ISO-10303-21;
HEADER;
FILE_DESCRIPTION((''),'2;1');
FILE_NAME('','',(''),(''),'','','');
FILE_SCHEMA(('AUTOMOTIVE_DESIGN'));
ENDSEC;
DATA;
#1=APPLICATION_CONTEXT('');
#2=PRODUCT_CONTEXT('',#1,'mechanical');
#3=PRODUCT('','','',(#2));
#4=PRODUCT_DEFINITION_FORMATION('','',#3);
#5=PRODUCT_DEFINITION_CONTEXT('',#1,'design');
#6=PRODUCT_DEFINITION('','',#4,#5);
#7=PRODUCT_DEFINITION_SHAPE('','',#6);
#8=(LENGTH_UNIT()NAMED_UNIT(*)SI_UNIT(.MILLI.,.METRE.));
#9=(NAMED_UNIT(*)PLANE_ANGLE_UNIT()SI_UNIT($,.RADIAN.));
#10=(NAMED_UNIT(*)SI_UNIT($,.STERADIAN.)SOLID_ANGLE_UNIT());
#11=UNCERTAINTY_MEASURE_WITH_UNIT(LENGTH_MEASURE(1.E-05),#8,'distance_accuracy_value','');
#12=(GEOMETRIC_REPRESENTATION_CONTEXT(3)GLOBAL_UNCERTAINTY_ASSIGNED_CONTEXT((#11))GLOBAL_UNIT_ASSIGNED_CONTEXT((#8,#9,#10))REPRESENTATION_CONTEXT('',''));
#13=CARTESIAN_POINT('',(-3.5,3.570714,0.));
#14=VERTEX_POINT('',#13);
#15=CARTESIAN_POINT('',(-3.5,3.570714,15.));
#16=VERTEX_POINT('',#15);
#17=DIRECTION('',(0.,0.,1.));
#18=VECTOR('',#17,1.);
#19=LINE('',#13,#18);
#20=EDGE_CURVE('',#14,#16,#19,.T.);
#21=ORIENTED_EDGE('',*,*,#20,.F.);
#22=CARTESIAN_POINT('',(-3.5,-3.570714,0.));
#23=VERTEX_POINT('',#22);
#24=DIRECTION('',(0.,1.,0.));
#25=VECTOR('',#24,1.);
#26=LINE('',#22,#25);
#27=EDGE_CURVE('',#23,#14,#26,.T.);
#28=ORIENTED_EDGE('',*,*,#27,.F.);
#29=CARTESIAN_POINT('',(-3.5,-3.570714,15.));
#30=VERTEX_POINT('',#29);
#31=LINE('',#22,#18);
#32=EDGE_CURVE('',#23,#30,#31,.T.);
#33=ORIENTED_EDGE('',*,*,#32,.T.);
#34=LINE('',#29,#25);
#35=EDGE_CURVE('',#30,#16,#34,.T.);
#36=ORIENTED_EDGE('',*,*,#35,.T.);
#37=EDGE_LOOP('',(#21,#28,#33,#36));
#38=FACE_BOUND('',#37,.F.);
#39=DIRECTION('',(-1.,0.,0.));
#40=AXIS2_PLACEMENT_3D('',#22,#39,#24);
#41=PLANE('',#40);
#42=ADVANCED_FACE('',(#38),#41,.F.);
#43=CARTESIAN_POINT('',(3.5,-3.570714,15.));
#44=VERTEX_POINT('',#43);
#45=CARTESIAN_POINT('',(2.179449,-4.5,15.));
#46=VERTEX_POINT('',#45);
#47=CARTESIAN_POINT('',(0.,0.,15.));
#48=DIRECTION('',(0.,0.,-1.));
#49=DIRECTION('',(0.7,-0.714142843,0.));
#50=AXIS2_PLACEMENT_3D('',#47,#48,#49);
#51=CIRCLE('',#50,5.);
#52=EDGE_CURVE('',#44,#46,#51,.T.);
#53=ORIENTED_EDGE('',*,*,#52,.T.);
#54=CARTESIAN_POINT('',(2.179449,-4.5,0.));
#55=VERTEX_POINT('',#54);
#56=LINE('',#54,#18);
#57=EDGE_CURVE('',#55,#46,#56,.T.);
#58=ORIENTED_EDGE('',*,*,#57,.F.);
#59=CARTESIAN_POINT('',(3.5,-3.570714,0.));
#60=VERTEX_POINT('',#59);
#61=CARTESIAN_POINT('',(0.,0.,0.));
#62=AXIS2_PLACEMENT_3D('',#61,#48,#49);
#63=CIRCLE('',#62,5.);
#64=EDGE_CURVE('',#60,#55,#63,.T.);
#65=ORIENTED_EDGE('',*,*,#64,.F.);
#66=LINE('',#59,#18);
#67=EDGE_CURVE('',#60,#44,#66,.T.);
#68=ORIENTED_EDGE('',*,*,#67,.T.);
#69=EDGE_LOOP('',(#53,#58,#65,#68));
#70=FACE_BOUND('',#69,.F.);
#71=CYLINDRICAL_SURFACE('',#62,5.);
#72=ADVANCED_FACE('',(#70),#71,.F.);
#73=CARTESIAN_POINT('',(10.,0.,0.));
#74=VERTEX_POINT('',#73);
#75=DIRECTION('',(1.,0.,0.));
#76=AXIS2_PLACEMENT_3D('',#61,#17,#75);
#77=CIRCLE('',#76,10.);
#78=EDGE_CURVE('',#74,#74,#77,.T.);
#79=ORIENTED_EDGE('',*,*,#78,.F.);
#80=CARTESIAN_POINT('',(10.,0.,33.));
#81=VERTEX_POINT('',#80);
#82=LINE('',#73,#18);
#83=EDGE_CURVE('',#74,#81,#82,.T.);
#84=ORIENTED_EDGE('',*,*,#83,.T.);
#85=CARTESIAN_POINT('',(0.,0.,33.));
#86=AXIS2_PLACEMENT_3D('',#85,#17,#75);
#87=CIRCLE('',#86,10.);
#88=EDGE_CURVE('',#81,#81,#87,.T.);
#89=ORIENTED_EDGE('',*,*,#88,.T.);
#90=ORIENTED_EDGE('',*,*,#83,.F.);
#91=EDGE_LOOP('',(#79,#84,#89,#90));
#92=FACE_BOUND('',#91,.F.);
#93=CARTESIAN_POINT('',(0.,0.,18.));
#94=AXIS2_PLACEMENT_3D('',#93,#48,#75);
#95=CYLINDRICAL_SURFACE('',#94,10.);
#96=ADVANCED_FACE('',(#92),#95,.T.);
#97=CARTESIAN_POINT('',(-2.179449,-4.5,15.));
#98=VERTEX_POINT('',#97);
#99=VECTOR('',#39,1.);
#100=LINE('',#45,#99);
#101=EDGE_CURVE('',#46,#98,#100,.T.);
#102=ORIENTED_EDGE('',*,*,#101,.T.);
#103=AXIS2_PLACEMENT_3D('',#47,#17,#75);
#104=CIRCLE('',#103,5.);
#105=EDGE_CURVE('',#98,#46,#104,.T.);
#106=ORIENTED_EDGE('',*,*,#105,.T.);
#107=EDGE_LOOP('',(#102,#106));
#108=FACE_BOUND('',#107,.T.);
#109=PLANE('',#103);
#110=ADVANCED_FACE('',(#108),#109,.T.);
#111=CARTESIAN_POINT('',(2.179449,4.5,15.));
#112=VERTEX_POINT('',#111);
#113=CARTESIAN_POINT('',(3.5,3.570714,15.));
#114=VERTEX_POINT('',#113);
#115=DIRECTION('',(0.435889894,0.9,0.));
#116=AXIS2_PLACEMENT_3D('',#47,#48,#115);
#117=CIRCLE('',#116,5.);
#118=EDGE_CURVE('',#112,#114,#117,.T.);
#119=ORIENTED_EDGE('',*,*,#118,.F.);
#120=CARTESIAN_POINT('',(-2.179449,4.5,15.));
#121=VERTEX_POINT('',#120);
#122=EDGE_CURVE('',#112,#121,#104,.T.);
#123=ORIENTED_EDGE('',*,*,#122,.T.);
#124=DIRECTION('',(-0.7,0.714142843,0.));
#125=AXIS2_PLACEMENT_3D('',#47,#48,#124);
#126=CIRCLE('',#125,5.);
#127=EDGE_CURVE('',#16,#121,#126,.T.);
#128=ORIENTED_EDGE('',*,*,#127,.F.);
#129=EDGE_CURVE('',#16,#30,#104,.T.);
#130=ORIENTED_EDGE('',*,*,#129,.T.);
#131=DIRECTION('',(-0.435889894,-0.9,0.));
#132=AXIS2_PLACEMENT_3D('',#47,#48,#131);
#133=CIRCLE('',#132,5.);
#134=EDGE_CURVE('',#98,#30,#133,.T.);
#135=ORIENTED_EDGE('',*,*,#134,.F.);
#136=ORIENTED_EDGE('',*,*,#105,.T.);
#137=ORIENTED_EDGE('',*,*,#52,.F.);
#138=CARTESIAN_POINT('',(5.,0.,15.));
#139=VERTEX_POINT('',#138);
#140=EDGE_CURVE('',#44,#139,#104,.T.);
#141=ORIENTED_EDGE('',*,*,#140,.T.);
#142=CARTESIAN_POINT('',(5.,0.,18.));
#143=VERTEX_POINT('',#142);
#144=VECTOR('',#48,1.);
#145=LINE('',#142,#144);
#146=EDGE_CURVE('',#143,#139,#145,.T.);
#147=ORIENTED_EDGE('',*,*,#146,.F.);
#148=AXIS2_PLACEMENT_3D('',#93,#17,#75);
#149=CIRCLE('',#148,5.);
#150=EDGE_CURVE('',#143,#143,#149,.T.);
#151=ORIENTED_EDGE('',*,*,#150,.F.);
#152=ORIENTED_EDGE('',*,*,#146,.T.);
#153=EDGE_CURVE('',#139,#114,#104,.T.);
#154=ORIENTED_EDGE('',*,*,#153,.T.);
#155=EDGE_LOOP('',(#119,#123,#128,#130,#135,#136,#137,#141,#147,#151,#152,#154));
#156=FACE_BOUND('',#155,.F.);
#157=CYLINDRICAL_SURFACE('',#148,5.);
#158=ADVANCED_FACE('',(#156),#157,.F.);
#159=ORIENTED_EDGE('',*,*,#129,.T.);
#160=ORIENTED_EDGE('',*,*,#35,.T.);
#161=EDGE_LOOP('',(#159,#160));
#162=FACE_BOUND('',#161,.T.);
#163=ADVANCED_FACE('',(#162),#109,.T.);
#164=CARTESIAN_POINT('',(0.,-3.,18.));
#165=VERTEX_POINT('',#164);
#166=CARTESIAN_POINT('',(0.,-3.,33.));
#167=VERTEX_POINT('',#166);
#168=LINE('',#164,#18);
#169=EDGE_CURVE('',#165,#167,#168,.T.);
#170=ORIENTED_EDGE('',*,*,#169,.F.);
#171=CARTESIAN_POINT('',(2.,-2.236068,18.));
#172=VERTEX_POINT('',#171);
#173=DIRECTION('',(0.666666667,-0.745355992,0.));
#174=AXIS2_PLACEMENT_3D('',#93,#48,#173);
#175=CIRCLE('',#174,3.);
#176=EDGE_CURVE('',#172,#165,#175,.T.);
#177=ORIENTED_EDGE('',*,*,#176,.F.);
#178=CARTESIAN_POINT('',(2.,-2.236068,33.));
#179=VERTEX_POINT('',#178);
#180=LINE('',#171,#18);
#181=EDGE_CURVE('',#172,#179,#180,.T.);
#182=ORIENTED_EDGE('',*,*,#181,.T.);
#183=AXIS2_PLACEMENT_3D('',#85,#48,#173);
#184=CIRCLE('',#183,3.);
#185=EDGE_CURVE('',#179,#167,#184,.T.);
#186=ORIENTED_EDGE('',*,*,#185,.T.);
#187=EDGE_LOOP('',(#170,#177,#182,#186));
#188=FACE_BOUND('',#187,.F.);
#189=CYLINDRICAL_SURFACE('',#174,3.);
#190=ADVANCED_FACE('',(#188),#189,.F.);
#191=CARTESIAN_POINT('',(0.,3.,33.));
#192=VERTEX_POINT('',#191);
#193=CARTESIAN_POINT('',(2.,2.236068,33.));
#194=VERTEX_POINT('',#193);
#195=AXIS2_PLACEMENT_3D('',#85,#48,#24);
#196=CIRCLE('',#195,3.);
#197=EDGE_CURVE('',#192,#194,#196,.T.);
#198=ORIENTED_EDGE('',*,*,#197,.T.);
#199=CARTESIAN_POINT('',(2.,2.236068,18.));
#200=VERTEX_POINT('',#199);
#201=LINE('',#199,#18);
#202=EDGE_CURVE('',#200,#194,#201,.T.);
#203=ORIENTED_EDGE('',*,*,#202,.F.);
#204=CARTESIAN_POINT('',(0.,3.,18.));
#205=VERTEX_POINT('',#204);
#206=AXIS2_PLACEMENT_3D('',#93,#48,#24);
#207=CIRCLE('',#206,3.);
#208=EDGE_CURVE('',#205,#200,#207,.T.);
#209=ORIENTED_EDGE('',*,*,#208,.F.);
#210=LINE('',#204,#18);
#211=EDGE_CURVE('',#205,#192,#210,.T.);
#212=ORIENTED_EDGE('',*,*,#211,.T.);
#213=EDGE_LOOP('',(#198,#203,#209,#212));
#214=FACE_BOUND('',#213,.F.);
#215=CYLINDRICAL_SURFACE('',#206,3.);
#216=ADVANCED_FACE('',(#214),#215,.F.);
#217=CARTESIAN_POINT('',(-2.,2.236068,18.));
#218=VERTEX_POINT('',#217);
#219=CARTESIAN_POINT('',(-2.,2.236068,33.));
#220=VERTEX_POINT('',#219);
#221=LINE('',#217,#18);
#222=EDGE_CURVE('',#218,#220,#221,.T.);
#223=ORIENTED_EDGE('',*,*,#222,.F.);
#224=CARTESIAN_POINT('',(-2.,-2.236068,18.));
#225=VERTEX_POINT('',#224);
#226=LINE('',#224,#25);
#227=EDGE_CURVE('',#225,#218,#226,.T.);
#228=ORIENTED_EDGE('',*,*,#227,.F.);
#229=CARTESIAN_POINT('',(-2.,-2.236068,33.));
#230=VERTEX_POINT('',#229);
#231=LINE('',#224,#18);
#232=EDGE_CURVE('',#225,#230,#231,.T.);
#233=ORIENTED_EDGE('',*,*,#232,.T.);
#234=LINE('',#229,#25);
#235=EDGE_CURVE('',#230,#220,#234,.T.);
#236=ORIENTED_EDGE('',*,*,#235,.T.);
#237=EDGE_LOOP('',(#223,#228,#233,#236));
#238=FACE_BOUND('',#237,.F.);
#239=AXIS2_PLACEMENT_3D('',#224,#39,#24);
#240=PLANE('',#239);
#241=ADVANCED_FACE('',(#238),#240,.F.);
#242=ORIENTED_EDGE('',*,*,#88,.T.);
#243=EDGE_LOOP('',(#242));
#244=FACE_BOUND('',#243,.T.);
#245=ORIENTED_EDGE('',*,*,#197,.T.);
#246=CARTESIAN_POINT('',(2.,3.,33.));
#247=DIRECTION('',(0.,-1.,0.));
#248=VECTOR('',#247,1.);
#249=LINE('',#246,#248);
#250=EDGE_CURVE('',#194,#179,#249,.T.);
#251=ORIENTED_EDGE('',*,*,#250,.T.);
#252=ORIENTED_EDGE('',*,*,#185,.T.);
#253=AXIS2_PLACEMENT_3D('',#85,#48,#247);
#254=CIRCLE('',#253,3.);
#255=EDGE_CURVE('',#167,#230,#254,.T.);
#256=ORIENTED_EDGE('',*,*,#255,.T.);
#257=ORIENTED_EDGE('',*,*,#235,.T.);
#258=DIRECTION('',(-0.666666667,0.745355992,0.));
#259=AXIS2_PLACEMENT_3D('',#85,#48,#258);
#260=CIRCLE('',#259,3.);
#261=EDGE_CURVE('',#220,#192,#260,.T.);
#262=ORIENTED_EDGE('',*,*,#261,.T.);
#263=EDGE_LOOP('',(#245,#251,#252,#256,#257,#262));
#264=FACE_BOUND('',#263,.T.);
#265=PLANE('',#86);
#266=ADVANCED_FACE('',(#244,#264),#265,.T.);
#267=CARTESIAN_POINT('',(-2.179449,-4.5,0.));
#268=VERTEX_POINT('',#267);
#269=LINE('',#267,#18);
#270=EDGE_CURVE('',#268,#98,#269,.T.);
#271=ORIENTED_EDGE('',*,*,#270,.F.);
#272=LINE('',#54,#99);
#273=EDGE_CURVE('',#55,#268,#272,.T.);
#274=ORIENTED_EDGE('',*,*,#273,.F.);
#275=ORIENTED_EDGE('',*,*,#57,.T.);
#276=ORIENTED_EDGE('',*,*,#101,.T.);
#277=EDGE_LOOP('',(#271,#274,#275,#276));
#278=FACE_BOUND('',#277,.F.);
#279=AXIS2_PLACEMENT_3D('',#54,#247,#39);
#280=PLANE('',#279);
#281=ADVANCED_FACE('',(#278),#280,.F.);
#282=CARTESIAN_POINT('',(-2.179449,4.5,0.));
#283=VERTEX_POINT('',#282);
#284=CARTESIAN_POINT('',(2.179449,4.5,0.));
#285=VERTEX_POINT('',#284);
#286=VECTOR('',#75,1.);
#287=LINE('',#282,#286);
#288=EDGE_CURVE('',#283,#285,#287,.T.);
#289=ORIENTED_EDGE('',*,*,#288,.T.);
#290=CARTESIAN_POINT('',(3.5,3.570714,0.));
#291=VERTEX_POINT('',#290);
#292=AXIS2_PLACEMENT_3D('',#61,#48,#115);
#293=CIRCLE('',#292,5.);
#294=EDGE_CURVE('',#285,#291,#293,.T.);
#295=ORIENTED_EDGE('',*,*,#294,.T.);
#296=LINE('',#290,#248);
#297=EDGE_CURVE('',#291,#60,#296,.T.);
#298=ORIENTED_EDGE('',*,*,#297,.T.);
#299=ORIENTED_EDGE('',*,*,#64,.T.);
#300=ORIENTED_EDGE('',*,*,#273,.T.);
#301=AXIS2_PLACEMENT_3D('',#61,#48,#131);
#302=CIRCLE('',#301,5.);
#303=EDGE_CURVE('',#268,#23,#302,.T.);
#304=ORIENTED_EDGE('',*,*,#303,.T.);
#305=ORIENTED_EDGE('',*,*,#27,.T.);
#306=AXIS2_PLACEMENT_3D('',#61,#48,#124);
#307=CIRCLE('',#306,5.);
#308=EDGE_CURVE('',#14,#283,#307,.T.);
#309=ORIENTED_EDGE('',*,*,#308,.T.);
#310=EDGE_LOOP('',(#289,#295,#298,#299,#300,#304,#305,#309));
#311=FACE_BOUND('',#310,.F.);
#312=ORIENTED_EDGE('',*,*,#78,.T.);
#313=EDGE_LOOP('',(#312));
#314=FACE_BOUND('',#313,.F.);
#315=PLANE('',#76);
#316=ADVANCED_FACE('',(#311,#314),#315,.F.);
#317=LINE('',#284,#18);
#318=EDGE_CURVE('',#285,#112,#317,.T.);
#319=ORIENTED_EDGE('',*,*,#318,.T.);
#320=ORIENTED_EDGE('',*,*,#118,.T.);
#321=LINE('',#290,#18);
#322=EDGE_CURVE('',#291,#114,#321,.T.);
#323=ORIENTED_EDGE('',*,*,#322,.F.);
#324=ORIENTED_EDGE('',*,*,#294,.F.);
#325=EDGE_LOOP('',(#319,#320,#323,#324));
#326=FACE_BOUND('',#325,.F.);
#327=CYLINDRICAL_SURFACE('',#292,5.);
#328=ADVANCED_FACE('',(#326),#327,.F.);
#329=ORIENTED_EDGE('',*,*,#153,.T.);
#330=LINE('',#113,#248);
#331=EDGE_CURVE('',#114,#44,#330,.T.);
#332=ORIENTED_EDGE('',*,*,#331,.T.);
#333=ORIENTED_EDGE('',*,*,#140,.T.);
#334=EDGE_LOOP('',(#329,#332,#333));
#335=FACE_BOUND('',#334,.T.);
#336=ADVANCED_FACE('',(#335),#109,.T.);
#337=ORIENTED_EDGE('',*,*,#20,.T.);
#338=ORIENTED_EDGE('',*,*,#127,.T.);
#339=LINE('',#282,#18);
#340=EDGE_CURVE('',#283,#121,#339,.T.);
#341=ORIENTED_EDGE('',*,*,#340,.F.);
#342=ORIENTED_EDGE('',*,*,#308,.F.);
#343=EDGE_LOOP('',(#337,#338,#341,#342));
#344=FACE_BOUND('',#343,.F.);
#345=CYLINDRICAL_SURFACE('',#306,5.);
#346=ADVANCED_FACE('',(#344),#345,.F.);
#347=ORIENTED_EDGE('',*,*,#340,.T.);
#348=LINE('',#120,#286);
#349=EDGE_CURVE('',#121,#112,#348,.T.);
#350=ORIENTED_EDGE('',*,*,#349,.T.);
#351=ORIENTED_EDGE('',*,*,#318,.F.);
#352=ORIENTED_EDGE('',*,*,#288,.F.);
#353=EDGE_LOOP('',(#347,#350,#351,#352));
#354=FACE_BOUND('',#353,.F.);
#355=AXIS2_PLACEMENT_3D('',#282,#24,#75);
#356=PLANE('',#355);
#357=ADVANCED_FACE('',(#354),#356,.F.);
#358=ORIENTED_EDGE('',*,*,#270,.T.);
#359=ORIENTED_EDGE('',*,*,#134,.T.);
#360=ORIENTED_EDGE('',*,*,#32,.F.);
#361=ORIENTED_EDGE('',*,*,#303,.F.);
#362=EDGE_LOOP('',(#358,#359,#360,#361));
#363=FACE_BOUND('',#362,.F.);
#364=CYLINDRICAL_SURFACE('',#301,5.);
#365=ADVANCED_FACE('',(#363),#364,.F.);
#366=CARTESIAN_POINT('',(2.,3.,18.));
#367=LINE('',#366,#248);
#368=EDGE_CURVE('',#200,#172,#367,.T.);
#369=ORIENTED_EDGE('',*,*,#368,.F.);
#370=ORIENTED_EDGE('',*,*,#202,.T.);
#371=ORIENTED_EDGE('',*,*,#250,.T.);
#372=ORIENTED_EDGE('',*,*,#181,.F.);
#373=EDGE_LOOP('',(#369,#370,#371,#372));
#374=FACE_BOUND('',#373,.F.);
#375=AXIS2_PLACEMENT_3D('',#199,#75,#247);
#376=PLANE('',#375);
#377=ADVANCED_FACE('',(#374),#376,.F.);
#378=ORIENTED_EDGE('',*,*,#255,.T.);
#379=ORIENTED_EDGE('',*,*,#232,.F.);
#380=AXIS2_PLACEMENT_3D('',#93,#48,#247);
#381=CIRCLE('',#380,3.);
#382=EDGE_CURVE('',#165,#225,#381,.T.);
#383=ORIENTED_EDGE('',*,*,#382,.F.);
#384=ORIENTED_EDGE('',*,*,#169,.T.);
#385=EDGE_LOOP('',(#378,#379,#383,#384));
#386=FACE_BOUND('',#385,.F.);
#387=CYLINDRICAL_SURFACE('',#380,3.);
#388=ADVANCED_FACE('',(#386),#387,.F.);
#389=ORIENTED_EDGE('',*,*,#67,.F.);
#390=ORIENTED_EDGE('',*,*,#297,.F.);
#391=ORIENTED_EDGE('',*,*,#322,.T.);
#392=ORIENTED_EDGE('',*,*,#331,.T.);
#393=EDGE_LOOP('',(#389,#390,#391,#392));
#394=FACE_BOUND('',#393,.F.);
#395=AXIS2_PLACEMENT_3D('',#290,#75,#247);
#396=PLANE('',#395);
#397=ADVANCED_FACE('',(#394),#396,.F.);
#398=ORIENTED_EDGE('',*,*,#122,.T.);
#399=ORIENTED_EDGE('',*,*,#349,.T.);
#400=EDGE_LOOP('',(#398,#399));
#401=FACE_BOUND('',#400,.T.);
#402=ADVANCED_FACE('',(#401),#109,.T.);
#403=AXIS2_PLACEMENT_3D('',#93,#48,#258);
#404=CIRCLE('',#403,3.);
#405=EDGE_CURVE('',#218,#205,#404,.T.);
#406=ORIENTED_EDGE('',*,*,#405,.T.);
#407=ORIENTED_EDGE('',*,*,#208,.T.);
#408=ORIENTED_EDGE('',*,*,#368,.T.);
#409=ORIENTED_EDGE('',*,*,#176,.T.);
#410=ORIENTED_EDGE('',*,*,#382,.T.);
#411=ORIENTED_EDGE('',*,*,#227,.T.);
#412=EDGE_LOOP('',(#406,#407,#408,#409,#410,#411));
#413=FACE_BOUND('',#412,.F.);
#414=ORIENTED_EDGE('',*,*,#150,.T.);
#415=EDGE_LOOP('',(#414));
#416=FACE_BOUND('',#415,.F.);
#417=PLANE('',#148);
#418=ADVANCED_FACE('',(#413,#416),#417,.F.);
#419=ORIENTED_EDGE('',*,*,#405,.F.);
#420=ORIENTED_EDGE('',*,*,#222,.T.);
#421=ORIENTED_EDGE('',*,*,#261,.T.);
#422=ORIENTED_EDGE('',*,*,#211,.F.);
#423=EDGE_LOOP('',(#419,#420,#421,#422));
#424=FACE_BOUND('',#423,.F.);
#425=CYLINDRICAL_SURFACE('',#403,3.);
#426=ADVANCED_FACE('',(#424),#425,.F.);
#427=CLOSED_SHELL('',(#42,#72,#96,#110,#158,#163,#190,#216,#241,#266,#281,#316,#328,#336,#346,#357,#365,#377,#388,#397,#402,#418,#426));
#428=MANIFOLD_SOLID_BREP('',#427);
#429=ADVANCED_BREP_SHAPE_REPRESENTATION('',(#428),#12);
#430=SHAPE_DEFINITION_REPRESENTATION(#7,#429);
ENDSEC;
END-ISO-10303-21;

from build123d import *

# Parameters (mm, degrees)
F0_R     = 10
F1_DEPTH = 18
F3_DEPTH = 15
F4_R     = 5
F5_DEPTH = 3
F6_R     = 10
F6_R_2   = 5
F7_DEPTH = 15


with BuildPart() as f1:
    # F0 (on Top) → F1 (new body)
    with BuildSketch(Plane.XY):
        Circle(F0_R)
    extrude(amount=F1_DEPTH)

    # F2 (on face) → F3 (cut)
    with BuildSketch(Plane(origin=(0, 0, 0), x_dir=(1, 0, 0), z_dir=(0, 0, -1))):
        with BuildLine():
            Line((3.5, -3.5707142143), (3.5, 3.5707142143))
            ThreePointArc((3.5, 3.5707142143), (2.87748668, 4.0890182693), (2.1794494718, 4.5))
            Line((2.1794494718, 4.5), (-2.1794494718, 4.5))
            ThreePointArc((-2.1794494718, 4.5), (-2.87748668, 4.0890182693), (-3.5, 3.5707142143))
            Line((-3.5, 3.5707142143), (-3.5, -3.5707142143))
            ThreePointArc((-3.5, -3.5707142143), (-2.87748668, -4.0890182693), (-2.1794494718, -4.5))
            Line((-2.1794494718, -4.5), (2.1794494718, -4.5))
            ThreePointArc((2.1794494718, -4.5), (2.87748668, -4.0890182693), (3.5, -3.5707142143))
        make_face()
    extrude(amount=-F3_DEPTH, mode=Mode.SUBTRACT)

    # F4 (on face) → F5 (cut)
    with BuildSketch(Plane.XY.offset(18)):
        Circle(F4_R)
    extrude(amount=-F5_DEPTH, mode=Mode.SUBTRACT)

    # F6 (on face) → F7 (join)
    with BuildSketch(Plane.XY.offset(18)):
        Circle(F6_R)
        Circle(F6_R_2, mode=Mode.SUBTRACT)
        Circle(F6_R_2)
        with BuildLine():
            ThreePointArc((2, 2.2360679775), (2.7386127875, 1.2247448714), (3, 0))
            ThreePointArc((3, 0), (2.7386127875, -1.2247448714), (2, -2.2360679775))
            Line((2, -2.2360679775), (2, -3))
            Line((2, -3), (0, -3))
            Line((0, -3), (-2, -3))
            Line((-2, -3), (-2, -2.2360679775))
            ThreePointArc((-2, -2.2360679775), (-3, 0), (-2, 2.2360679775))
            Line((-2, 2.2360679775), (-2, 3))
            Line((-2, 3), (0, 3))
            Line((0, 3), (2, 3))
            Line((2, 3), (2, 2.2360679775))
        make_face(mode=Mode.SUBTRACT)
        with BuildLine():
            ThreePointArc((2, -2.2360679775), (2.7386127875, -1.2247448714), (3, 0))
            ThreePointArc((3, 0), (2.7386127875, 1.2247448714), (2, 2.2360679775))
            Line((2, 2.2360679775), (2, -2.2360679775))
        make_face()
        with BuildLine():
            Line((2, -3), (2, -2.2360679775))
            ThreePointArc((2, -2.2360679775), (1.0704662693, -2.8025170769), (0, -3))
            Line((0, -3), (2, -3))
        make_face()
        with BuildLine():
            Line((-2, -3), (0, -3))
            ThreePointArc((0, -3), (-1.0704662693, -2.8025170769), (-2, -2.2360679775))
            Line((-2, -2.2360679775), (-2, -3))
        make_face()
        with BuildLine():
            Line((-2, -2.2360679775), (-2, 2.2360679775))
            ThreePointArc((-2, 2.2360679775), (-3, 0), (-2, -2.2360679775))
        make_face()
        with BuildLine():
            ThreePointArc((-2, 2.2360679775), (-1.0704662693, 2.8025170769), (0, 3))
            Line((0, 3), (-2, 3))
            Line((-2, 3), (-2, 2.2360679775))
        make_face()
        with BuildLine():
            ThreePointArc((0, 3), (1.0704662693, 2.8025170769), (2, 2.2360679775))
            Line((2, 2.2360679775), (2, 3))
            Line((2, 3), (0, 3))
        make_face()
    extrude(amount=F7_DEPTH)


solid = f1.part
